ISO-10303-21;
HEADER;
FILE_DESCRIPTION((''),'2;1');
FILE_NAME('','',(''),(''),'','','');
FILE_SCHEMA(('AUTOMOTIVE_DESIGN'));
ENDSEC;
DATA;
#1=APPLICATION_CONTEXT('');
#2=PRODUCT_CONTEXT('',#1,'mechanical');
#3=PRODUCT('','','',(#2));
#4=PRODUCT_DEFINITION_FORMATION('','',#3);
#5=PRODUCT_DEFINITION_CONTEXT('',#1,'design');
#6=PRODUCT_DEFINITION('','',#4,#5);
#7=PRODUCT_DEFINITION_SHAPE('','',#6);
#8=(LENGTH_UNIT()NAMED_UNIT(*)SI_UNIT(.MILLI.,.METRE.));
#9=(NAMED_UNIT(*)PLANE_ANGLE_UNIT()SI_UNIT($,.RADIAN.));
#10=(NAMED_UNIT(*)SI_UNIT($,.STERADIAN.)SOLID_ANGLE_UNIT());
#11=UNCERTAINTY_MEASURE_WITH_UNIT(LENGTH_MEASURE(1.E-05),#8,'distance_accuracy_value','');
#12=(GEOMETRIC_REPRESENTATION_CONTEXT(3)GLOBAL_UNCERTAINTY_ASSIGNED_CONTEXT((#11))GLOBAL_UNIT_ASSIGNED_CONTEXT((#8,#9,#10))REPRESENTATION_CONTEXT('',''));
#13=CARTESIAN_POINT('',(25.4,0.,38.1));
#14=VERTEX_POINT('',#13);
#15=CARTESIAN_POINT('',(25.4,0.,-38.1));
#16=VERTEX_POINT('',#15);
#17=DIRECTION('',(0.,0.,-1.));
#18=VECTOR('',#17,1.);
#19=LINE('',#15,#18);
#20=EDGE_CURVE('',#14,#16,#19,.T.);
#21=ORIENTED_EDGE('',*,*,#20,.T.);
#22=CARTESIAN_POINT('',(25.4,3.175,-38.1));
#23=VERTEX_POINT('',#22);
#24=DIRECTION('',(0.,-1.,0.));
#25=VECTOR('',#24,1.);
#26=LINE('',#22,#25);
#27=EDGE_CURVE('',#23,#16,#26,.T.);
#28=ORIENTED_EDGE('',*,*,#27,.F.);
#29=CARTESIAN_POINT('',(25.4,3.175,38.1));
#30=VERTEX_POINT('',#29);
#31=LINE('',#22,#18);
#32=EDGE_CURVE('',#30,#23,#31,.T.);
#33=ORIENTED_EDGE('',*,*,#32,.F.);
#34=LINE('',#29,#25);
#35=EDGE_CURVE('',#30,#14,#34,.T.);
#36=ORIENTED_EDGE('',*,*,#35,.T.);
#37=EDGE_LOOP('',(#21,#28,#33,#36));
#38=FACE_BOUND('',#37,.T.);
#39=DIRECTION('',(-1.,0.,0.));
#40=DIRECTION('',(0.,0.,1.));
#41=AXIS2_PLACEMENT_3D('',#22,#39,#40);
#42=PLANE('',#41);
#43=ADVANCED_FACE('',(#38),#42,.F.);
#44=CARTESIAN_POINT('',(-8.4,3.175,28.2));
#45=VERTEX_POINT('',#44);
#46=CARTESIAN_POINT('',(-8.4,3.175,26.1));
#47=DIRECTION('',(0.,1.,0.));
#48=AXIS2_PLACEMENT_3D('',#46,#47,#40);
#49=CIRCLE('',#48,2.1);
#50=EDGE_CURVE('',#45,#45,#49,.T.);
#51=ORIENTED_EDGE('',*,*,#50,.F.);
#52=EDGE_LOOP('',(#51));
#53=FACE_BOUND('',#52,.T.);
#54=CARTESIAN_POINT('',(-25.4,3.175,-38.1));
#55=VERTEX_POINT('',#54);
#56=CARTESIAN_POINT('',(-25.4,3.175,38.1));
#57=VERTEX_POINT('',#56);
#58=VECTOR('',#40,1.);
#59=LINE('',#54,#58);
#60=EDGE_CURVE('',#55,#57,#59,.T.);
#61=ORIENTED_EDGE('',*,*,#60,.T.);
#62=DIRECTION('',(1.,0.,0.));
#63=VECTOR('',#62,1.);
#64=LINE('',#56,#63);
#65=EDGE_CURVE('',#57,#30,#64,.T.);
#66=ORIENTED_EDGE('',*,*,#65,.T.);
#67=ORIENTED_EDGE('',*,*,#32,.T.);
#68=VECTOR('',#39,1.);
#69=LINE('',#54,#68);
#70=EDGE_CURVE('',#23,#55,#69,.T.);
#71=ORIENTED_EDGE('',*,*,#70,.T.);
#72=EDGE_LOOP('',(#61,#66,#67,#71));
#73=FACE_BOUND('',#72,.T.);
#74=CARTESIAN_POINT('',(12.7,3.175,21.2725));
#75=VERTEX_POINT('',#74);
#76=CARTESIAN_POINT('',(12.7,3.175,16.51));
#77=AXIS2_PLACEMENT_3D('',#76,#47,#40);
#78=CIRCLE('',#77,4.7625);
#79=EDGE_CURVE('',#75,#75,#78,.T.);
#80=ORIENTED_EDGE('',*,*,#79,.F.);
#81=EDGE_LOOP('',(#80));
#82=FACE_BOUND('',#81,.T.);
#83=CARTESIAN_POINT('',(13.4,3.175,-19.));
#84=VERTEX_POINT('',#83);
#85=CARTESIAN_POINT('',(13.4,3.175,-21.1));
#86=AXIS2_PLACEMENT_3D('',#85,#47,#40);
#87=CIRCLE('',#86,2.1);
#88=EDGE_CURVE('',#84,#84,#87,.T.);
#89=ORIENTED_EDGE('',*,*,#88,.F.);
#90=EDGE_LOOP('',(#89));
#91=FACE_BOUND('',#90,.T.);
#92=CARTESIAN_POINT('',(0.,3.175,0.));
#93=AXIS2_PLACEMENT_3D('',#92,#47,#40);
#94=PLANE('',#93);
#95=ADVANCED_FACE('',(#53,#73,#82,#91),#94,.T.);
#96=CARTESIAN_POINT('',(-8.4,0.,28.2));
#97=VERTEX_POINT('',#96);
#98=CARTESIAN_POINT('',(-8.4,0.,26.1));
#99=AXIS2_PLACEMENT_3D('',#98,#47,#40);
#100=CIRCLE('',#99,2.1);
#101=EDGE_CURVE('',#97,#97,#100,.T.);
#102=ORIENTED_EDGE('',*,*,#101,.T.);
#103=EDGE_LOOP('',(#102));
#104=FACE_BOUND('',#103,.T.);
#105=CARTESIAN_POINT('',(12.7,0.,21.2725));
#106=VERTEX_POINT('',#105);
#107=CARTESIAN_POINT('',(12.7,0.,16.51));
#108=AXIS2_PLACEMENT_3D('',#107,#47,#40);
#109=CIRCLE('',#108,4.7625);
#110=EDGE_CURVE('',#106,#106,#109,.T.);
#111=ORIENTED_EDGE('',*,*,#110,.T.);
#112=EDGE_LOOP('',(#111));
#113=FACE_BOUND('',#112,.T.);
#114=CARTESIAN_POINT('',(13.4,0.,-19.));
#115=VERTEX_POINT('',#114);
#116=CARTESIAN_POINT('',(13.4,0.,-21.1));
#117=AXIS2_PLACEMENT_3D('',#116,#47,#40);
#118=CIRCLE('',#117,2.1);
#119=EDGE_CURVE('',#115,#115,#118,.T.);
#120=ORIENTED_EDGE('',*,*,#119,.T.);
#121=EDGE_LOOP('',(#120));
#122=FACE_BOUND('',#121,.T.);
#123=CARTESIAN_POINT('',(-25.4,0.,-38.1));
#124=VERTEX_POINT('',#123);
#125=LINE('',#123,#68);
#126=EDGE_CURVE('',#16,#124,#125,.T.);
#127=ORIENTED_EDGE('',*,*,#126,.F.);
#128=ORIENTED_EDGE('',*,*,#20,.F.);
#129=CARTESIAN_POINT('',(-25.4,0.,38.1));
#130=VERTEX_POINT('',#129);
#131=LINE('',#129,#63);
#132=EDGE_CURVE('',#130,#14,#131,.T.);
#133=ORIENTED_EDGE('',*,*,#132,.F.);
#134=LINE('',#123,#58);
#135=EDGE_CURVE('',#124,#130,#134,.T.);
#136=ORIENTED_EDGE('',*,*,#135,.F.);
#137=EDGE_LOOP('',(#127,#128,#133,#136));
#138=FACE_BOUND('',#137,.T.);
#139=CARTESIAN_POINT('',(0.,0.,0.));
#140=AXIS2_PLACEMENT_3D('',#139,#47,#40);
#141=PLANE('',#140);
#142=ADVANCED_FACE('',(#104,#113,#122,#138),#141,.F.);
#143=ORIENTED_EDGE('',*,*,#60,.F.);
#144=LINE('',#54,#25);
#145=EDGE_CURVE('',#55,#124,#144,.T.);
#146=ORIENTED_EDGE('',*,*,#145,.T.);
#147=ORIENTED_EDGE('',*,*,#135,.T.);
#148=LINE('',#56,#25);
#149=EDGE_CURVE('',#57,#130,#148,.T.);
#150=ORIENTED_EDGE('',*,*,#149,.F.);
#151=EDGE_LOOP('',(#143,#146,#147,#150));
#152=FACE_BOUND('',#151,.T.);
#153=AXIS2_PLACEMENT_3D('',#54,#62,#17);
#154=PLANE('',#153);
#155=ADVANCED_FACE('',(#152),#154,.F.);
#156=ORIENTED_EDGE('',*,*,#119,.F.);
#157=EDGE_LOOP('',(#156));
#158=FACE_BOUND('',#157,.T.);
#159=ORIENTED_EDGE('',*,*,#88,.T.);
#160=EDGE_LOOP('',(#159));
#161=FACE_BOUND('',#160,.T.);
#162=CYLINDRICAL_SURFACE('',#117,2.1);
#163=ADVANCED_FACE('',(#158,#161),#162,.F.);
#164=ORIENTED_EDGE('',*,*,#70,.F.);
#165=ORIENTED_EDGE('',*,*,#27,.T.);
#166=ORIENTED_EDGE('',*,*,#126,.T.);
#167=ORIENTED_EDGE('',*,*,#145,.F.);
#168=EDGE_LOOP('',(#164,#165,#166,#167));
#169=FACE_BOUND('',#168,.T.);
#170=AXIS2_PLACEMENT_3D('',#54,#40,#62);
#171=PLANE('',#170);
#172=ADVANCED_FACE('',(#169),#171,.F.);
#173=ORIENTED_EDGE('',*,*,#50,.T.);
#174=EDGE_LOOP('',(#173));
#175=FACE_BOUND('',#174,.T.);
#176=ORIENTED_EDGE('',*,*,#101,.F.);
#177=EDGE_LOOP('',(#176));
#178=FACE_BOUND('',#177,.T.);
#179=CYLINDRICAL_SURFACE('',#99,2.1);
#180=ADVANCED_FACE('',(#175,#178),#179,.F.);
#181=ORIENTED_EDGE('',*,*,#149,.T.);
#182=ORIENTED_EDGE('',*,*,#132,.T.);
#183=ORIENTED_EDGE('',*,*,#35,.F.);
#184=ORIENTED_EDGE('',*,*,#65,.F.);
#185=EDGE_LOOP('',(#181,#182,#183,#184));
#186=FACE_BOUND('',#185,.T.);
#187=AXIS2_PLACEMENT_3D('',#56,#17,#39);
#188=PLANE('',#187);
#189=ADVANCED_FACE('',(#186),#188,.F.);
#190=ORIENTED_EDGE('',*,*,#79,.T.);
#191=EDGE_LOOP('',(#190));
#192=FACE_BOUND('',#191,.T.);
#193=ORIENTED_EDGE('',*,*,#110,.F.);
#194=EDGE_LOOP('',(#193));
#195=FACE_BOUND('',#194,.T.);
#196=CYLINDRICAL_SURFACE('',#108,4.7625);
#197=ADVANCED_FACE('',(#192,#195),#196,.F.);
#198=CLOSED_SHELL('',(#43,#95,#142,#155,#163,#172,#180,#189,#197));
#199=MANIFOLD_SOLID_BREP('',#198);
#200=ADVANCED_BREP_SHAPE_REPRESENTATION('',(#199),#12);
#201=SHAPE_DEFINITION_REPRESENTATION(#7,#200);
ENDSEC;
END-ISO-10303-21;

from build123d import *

# Parameters (mm, degrees)
SKETCH1_W           = 50.8
SKETCH1_H           = 76.2
BOSS_EXTRUDE1_DEPTH = 3.175
SKETCH2_R           = 4.7625
CUT_EXTRUDE1_DEPTH  = 4.175
SKETCH3_R           = 2.1
CUT_EXTRUDE2_DEPTH  = 4.175


with BuildPart() as part:
    # Sketch1 → Boss-Extrude1 (new body)
    with BuildSketch(Plane(origin=(0, 0, 0), x_dir=(1, 0, 0), z_dir=(0, 1, 0))):
        Rectangle(SKETCH1_W, SKETCH1_H)
    extrude(amount=BOSS_EXTRUDE1_DEPTH)

    # Sketch2 → Cut-Extrude1 (cut, through all)
    with BuildSketch(Plane(origin=(0, 3.175, 0), x_dir=(1, 0, 0), z_dir=(0, 1, 0))):
        with Locations((12.7, -16.51)):
            Circle(SKETCH2_R)
    extrude(amount=-CUT_EXTRUDE1_DEPTH, mode=Mode.SUBTRACT)

    # Sketch3 → Cut-Extrude2 (cut, through all)
    with BuildSketch(Plane(origin=(0, 3.175, 0), x_dir=(1, 0, 0), z_dir=(0, 1, 0))):
        with Locations((13.4, 21.1)):
            Circle(SKETCH3_R)
        with Locations((-8.4, -26.1)):
            Circle(SKETCH3_R)
    extrude(amount=-CUT_EXTRUDE2_DEPTH, mode=Mode.SUBTRACT)


solid = part.part
